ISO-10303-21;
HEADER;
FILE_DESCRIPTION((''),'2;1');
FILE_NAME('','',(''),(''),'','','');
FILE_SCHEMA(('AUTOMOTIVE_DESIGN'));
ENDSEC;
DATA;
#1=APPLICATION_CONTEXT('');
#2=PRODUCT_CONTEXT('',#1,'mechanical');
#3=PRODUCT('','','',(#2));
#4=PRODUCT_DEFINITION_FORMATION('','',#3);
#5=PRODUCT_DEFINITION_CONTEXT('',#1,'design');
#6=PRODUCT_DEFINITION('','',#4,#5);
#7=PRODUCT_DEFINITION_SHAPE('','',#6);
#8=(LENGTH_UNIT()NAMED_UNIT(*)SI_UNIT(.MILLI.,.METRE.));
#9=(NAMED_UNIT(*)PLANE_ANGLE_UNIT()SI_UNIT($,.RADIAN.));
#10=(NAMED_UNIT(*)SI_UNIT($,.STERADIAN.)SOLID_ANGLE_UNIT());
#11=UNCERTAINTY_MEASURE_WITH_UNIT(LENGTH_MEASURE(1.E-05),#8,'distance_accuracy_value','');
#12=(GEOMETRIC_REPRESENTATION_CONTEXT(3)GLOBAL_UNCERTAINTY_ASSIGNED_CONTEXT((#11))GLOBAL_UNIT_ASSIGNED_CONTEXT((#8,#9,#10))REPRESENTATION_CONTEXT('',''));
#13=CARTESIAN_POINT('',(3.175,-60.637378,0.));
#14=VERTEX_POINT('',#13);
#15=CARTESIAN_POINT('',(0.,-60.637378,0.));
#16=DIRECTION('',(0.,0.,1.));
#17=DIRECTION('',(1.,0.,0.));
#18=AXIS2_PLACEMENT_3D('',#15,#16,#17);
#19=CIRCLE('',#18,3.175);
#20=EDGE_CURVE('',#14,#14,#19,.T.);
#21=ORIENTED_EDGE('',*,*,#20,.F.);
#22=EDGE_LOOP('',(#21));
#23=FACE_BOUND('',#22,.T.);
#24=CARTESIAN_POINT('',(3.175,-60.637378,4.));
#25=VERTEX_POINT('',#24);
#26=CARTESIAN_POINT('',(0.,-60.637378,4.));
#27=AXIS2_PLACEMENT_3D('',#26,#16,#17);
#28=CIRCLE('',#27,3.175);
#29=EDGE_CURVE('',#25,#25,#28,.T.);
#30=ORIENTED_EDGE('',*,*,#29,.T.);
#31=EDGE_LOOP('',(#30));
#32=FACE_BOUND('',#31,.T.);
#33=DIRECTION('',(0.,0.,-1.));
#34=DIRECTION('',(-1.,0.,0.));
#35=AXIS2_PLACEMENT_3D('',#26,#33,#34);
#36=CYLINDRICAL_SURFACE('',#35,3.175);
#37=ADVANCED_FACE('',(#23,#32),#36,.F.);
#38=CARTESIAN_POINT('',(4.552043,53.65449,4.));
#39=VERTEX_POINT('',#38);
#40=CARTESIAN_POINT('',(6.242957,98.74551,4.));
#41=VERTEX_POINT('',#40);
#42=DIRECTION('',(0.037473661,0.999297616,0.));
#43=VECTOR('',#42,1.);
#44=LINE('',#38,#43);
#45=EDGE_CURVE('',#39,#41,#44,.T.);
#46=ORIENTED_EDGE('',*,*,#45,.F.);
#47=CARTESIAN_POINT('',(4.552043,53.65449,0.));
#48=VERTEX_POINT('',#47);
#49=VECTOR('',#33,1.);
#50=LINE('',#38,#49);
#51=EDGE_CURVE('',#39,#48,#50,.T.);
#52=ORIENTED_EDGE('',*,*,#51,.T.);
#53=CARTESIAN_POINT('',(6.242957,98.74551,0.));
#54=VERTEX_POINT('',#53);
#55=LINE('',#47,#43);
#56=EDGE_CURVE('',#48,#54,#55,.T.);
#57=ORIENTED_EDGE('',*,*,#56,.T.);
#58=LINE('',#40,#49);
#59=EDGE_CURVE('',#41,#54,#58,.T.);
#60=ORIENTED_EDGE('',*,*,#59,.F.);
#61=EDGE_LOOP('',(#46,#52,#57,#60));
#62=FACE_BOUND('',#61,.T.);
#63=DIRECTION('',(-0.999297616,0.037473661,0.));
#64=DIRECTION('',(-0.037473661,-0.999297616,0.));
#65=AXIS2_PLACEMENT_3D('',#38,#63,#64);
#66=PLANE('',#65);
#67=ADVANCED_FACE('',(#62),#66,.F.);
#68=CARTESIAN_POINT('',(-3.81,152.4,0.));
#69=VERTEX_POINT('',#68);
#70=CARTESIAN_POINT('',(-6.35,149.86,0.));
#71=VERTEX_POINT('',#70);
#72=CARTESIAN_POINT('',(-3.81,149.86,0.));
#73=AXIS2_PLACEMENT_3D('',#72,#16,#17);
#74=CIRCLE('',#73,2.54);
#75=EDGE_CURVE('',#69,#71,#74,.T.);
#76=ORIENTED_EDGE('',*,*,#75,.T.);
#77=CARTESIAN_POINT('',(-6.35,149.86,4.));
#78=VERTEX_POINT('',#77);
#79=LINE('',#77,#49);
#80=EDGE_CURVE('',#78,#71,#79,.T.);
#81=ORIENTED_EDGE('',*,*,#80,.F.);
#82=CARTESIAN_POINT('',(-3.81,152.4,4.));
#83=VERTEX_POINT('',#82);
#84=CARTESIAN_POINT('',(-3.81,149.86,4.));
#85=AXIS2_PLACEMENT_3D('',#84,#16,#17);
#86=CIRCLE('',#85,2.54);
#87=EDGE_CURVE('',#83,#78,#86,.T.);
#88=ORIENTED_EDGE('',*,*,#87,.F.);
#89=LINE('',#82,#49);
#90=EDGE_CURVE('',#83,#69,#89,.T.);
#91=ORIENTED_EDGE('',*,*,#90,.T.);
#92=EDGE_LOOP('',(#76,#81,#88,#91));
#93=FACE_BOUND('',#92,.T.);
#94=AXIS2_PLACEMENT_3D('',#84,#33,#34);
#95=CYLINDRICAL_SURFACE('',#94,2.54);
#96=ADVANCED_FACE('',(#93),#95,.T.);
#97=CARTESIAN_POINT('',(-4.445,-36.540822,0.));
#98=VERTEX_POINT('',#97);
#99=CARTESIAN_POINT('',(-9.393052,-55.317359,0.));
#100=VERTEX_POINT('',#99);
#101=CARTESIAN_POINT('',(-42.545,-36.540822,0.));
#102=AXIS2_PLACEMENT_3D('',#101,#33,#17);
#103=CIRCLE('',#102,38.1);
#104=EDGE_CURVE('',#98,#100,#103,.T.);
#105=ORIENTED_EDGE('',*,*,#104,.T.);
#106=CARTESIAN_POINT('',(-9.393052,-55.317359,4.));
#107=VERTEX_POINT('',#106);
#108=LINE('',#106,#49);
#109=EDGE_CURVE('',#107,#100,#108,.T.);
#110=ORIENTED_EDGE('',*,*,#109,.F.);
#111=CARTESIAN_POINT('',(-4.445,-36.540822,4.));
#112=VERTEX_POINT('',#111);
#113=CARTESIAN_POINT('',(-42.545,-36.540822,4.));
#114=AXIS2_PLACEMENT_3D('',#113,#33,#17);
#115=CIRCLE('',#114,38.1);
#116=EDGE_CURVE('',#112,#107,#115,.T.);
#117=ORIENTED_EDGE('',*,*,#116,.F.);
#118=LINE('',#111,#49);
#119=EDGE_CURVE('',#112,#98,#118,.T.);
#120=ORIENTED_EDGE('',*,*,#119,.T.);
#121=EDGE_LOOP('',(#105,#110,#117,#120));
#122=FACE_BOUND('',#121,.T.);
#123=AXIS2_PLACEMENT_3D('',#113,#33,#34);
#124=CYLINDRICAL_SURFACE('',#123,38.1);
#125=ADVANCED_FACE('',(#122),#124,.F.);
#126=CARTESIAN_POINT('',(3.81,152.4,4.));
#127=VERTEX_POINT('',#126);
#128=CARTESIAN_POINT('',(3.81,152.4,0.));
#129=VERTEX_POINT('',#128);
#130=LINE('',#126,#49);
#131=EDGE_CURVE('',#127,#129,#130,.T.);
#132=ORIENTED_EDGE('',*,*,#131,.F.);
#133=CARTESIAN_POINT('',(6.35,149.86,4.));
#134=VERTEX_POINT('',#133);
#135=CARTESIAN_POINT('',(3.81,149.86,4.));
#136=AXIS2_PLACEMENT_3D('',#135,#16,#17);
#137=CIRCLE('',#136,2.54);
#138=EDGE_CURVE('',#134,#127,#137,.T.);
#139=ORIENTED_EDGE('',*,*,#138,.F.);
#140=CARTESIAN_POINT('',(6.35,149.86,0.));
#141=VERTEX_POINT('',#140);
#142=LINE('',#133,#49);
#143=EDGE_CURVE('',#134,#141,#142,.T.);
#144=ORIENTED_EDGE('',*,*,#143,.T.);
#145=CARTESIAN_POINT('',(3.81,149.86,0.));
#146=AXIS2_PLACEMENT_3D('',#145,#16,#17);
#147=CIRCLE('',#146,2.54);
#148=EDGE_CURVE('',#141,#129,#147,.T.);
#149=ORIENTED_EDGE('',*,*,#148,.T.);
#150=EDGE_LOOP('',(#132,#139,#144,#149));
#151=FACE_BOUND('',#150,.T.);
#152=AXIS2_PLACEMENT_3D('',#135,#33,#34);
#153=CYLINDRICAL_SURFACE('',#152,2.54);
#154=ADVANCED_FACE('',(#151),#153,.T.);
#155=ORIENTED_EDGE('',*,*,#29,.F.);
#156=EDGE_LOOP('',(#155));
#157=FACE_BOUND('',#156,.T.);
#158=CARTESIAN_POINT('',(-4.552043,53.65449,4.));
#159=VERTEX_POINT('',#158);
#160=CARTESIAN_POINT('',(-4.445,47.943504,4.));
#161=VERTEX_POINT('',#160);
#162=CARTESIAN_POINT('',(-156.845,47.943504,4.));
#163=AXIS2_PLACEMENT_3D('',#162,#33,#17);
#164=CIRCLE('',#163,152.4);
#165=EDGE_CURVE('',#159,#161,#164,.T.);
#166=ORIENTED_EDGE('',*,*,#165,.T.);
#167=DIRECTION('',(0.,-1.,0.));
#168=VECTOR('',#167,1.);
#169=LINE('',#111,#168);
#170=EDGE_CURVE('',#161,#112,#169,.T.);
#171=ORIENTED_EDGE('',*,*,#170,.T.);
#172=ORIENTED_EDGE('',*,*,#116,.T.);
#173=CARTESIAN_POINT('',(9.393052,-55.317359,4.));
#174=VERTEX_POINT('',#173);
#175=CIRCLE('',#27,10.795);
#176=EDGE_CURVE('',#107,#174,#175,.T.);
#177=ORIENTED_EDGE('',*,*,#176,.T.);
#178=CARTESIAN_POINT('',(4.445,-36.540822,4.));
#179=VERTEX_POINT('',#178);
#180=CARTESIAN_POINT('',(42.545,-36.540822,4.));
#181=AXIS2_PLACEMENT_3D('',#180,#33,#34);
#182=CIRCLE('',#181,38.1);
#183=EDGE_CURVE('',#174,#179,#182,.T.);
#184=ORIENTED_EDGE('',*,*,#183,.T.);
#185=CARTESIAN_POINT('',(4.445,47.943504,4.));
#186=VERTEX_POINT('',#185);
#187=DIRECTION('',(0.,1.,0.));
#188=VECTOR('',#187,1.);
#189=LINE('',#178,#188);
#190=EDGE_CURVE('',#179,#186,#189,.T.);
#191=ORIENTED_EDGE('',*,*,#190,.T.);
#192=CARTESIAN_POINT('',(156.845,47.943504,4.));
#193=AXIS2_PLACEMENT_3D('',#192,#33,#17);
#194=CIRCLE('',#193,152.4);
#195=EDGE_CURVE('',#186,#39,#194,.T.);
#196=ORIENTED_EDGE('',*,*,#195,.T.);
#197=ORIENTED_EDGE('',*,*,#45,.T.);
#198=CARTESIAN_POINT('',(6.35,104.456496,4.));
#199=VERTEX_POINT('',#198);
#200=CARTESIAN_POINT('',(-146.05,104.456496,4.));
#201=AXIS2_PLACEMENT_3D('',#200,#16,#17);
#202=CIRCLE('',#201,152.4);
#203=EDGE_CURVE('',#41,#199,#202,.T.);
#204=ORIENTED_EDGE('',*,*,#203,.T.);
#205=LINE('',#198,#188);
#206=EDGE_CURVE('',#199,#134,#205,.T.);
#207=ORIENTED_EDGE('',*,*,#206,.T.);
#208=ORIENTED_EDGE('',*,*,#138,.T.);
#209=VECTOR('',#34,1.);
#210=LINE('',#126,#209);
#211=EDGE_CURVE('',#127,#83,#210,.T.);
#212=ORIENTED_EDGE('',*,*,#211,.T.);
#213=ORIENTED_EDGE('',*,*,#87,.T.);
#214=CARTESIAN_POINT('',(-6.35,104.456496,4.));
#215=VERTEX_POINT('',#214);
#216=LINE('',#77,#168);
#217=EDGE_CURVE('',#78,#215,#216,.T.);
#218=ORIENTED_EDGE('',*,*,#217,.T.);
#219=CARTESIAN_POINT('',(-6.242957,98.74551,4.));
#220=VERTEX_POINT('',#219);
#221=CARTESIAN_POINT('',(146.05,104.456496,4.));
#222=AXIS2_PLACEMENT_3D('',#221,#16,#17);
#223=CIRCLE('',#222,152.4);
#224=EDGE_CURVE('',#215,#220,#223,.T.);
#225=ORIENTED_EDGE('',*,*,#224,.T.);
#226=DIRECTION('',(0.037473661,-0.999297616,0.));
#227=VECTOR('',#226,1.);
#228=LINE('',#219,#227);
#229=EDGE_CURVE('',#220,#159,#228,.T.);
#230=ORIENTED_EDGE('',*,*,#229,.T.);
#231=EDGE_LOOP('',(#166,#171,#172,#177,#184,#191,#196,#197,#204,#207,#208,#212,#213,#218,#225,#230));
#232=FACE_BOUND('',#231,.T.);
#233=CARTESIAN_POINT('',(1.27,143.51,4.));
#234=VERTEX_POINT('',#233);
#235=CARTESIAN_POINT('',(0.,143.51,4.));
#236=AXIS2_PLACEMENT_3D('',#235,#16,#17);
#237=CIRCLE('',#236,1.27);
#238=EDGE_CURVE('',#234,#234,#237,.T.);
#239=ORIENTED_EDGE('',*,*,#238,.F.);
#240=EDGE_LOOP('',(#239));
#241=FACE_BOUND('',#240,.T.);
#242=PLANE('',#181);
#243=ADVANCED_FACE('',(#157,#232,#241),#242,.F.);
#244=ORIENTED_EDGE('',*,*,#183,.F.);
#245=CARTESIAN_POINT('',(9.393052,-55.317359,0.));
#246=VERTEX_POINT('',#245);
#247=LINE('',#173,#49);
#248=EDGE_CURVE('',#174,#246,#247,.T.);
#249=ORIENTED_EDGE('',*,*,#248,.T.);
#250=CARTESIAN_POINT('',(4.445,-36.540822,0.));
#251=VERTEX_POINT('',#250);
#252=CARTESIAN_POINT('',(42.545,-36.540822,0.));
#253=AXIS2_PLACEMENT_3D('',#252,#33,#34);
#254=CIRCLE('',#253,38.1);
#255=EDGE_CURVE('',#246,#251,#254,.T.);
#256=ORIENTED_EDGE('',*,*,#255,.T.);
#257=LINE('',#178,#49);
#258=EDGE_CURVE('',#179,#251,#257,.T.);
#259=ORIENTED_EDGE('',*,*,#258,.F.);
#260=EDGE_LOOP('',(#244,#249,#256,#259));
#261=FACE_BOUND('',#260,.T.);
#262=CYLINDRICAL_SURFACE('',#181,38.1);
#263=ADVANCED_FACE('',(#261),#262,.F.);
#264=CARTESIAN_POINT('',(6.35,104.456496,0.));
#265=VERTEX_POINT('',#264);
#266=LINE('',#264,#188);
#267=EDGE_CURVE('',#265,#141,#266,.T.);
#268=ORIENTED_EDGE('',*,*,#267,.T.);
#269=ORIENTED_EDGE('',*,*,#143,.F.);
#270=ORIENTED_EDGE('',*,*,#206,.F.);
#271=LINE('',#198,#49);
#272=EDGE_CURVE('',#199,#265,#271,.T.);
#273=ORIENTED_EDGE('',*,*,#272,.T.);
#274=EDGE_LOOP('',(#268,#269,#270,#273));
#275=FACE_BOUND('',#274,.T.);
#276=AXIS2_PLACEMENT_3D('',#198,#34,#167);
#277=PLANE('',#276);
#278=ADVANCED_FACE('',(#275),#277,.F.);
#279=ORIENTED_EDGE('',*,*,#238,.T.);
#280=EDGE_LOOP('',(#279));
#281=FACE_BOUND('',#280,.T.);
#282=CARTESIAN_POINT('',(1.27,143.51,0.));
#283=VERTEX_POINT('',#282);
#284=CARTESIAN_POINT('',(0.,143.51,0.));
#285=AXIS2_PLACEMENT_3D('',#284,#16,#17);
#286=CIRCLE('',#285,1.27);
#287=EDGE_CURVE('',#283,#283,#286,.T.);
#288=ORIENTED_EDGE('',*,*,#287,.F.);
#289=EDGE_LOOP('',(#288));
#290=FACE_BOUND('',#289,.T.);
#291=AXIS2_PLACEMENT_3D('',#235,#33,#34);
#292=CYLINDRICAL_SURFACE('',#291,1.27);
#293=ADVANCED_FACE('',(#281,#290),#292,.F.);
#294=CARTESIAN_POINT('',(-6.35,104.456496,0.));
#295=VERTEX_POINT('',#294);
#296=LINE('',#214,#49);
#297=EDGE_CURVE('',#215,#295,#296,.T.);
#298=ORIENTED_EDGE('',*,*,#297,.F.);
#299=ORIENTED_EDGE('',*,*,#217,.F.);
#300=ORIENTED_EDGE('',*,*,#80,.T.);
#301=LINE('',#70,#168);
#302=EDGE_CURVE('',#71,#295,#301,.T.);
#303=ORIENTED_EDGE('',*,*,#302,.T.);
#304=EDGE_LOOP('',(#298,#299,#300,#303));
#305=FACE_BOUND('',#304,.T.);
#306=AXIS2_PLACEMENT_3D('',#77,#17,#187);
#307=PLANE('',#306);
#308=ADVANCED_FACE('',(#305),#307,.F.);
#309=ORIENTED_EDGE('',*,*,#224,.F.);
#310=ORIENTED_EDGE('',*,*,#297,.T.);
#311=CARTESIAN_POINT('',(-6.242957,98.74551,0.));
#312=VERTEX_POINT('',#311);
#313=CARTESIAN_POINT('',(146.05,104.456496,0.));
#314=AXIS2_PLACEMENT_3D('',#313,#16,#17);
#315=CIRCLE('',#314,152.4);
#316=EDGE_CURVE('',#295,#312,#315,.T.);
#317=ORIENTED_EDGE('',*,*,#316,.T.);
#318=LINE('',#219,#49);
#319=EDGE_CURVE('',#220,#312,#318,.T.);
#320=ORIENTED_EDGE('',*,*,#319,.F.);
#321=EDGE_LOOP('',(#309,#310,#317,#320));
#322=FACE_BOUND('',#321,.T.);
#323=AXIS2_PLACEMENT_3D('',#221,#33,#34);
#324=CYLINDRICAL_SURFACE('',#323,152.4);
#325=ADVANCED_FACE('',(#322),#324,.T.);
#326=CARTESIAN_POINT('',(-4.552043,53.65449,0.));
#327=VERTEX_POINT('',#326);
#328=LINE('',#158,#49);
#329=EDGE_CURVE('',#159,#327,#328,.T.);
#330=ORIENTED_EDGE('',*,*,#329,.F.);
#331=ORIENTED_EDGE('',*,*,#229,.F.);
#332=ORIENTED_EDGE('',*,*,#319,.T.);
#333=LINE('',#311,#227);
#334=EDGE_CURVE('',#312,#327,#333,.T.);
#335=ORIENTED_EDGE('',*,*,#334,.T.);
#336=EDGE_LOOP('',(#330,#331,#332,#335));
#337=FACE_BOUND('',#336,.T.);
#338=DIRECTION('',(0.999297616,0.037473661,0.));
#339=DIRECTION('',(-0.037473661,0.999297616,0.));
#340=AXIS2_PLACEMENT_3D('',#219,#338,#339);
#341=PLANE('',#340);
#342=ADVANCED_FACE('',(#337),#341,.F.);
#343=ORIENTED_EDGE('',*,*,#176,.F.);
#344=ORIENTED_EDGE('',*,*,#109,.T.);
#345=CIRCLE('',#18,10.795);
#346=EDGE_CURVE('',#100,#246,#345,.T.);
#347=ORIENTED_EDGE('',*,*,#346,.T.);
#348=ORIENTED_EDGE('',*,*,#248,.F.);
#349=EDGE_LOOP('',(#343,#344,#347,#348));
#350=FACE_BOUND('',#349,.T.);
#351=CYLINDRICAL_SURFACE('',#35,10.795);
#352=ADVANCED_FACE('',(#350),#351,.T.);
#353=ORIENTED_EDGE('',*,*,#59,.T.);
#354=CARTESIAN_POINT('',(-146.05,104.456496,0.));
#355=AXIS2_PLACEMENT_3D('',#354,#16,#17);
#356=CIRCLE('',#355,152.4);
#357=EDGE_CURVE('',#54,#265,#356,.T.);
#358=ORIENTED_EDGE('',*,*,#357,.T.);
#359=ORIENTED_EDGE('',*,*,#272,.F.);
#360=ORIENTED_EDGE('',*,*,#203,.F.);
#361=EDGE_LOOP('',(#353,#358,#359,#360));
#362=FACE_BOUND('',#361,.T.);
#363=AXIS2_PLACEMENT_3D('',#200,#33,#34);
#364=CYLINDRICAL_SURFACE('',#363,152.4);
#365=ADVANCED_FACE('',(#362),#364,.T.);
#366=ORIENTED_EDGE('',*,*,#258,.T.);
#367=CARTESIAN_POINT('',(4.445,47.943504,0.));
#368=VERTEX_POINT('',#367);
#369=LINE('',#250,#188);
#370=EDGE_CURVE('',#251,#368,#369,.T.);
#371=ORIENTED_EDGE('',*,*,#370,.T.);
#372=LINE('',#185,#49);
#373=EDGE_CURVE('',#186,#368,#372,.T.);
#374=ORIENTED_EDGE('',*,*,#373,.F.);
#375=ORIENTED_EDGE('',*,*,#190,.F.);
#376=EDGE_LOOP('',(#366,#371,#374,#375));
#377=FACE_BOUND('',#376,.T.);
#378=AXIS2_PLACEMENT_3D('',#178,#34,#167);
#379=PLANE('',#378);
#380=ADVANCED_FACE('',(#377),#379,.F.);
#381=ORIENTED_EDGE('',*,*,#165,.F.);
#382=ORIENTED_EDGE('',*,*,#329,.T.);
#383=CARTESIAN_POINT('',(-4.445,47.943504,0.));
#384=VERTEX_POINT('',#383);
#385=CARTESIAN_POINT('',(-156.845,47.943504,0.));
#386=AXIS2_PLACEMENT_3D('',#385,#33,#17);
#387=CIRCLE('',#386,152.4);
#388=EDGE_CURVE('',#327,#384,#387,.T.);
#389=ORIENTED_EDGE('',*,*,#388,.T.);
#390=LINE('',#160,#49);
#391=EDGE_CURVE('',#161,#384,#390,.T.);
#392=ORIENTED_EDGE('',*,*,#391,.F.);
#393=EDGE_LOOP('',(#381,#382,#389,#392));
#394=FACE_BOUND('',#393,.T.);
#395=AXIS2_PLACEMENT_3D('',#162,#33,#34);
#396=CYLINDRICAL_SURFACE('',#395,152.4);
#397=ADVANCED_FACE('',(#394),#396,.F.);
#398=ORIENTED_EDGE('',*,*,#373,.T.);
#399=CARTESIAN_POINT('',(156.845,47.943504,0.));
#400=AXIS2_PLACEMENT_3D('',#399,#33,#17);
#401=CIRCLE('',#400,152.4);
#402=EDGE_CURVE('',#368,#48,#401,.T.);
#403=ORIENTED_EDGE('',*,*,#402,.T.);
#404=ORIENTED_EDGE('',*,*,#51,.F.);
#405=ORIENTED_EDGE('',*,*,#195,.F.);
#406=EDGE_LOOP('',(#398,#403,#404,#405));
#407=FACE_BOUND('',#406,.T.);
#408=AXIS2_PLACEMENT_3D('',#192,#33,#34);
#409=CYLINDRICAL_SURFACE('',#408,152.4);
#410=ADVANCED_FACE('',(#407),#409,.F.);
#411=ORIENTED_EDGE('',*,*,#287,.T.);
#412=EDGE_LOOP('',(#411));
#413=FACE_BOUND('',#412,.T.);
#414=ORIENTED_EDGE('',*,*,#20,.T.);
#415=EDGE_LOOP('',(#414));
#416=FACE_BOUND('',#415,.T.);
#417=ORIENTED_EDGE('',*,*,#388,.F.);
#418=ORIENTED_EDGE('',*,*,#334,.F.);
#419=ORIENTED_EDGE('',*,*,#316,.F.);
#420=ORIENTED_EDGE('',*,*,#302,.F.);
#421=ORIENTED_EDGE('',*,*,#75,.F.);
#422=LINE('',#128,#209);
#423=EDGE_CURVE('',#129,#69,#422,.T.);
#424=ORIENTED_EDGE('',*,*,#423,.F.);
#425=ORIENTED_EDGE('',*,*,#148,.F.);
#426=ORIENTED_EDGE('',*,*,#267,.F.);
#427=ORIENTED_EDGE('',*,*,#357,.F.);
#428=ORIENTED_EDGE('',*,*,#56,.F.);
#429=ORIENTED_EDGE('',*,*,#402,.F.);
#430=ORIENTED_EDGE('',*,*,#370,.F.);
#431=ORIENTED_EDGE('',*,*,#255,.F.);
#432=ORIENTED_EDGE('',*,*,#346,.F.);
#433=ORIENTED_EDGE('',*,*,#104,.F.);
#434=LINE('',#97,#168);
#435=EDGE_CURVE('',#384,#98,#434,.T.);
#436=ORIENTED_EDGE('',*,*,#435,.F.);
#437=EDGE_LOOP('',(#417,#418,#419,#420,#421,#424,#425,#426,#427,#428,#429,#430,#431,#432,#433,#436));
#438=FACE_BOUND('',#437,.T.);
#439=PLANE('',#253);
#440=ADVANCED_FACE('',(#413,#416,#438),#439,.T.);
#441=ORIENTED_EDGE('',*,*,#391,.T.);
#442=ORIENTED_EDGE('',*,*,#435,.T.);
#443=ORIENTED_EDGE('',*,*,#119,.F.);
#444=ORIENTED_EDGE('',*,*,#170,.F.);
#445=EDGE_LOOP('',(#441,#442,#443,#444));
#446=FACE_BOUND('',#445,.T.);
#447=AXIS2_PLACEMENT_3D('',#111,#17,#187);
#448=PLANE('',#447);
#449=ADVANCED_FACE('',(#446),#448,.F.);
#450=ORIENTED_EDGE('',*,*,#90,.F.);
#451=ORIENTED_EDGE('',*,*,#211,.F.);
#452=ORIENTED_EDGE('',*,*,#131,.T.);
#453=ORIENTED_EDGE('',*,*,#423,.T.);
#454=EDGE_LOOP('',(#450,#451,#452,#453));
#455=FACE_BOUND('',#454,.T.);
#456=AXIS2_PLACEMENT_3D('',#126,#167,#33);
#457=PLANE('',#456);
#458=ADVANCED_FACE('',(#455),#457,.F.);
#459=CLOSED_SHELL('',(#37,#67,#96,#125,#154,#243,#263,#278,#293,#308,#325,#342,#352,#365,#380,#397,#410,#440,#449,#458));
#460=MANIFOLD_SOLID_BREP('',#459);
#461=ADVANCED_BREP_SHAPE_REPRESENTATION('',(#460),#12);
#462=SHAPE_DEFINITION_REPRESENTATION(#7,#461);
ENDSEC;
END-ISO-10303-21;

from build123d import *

# Parameters (mm, degrees)
SKETCH2_R           = 1.27
SKETCH2_R_2         = 3.175
BOSS_EXTRUDE1_DEPTH = 4


with BuildPart() as part:
    # Sketch2 → Boss-Extrude1 (new body)
    with BuildSketch(Plane.XY):
        with BuildLine():
            Line((4.552043366, 53.654489758), (6.242956634, 98.745510242))
            ThreePointArc((6.242956634, 98.745510242), (6.323236809, 101.600501634), (6.35, 104.456496116))
            Line((6.35, 104.456496116), (6.35, 149.86))
            ThreePointArc((6.35, 149.86), (5.606051224, 151.656051224), (3.81, 152.4))
            Line((3.81, 152.4), (-3.81, 152.4))
            ThreePointArc((-3.81, 152.4), (-5.606051224, 151.656051224), (-6.35, 149.86))
            Line((-6.35, 149.86), (-6.35, 104.456496116))
            ThreePointArc((-6.35, 104.456496116), (-6.323236809, 101.600501634), (-6.242956634, 98.745510242))
            Line((-6.242956634, 98.745510242), (-4.552043366, 53.654489758))
            ThreePointArc((-4.552043366, 53.654489758), (-4.471763191, 50.799498366), (-4.445, 47.943503884))
            Line((-4.445, 47.943503884), (-4.445, -36.540821929))
            ThreePointArc((-4.445, -36.540821929), (-5.702774085, -46.249600926), (-9.393051948, -55.317358893))
            ThreePointArc((-9.393051948, -55.317358893), (0, -71.432377699), (9.393051948, -55.317358893))
            ThreePointArc((9.393051948, -55.317358893), (5.702774085, -46.249600926), (4.445, -36.540821929))
            Line((4.445, -36.540821929), (4.445, 47.943503884))
            ThreePointArc((4.445, 47.943503884), (4.471763191, 50.799498366), (4.552043366, 53.654489758))
        make_face()
        with Locations((0, 143.51)):
            Circle(SKETCH2_R, mode=Mode.SUBTRACT)
        with Locations((0, -60.637377699)):
            Circle(SKETCH2_R_2, mode=Mode.SUBTRACT)
    extrude(amount=BOSS_EXTRUDE1_DEPTH)


solid = part.part
